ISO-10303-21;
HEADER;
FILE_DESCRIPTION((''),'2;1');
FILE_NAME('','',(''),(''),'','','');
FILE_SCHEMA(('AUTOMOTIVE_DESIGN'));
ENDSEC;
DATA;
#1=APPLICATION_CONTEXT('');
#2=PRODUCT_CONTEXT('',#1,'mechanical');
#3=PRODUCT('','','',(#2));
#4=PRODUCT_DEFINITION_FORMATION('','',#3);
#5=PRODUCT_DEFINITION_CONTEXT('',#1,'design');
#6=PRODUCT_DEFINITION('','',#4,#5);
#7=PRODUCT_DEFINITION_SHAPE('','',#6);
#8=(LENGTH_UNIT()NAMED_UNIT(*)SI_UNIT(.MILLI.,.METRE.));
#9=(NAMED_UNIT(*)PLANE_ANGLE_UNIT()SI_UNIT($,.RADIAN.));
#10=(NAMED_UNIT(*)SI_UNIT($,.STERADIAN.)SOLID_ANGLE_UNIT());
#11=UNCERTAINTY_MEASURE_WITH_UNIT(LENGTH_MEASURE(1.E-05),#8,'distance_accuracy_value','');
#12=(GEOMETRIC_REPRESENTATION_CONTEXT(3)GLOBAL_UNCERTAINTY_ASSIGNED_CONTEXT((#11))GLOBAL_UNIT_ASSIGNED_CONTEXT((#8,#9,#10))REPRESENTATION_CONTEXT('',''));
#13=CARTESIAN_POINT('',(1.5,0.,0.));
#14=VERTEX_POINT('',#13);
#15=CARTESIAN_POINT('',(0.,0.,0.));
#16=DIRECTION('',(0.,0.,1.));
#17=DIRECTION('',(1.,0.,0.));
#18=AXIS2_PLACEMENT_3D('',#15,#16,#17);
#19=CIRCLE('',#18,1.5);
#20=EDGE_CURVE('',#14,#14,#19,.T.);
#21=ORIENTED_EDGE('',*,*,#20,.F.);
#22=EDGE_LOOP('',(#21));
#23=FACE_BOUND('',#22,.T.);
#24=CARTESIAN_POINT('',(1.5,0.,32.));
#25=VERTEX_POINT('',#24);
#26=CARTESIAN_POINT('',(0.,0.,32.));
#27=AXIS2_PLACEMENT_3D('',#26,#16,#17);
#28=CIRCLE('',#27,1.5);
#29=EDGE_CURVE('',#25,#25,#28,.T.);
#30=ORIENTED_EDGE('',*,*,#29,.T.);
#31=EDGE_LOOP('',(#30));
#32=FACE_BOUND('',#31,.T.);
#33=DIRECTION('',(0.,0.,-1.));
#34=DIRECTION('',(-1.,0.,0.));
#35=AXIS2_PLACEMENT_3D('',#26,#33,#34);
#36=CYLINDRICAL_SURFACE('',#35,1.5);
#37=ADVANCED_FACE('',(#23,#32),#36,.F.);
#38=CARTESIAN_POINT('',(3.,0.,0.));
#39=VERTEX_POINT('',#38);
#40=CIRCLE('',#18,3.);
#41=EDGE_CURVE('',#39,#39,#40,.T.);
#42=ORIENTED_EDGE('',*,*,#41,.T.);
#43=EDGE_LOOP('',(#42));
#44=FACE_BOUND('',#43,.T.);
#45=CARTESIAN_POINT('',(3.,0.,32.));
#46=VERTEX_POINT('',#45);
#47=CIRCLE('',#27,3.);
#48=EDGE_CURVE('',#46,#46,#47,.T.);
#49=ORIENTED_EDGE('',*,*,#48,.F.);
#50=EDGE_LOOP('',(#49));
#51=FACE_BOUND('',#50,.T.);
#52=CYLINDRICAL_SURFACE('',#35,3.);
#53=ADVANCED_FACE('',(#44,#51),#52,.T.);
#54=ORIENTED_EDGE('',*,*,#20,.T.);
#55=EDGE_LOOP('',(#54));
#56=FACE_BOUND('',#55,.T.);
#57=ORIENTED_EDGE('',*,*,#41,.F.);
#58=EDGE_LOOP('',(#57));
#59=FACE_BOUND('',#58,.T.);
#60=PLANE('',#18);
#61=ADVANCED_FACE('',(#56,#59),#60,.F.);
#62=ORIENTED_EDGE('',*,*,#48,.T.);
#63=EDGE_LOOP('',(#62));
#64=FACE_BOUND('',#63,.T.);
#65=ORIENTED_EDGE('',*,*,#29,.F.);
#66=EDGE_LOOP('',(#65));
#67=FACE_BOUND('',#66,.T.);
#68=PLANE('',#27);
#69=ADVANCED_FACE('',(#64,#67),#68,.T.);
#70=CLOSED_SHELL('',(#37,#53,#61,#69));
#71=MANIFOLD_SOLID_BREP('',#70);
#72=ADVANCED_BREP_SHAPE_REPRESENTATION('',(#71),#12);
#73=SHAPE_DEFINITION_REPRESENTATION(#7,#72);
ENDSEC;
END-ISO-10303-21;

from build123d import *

# Parameters (mm, degrees)
SKETCH_1_R      = 3
SKETCH_1_R_2    = 1.5
EXTRUDE_1_DEPTH = 32


with BuildPart() as part:
    # ｽｹｯﾁ1 → ﾎﾞｽ - 押し出し1 (new body)
    with BuildSketch(Plane.XY):
        Circle(SKETCH_1_R)
        Circle(SKETCH_1_R_2, mode=Mode.SUBTRACT)
    extrude(amount=EXTRUDE_1_DEPTH)


solid = part.part
